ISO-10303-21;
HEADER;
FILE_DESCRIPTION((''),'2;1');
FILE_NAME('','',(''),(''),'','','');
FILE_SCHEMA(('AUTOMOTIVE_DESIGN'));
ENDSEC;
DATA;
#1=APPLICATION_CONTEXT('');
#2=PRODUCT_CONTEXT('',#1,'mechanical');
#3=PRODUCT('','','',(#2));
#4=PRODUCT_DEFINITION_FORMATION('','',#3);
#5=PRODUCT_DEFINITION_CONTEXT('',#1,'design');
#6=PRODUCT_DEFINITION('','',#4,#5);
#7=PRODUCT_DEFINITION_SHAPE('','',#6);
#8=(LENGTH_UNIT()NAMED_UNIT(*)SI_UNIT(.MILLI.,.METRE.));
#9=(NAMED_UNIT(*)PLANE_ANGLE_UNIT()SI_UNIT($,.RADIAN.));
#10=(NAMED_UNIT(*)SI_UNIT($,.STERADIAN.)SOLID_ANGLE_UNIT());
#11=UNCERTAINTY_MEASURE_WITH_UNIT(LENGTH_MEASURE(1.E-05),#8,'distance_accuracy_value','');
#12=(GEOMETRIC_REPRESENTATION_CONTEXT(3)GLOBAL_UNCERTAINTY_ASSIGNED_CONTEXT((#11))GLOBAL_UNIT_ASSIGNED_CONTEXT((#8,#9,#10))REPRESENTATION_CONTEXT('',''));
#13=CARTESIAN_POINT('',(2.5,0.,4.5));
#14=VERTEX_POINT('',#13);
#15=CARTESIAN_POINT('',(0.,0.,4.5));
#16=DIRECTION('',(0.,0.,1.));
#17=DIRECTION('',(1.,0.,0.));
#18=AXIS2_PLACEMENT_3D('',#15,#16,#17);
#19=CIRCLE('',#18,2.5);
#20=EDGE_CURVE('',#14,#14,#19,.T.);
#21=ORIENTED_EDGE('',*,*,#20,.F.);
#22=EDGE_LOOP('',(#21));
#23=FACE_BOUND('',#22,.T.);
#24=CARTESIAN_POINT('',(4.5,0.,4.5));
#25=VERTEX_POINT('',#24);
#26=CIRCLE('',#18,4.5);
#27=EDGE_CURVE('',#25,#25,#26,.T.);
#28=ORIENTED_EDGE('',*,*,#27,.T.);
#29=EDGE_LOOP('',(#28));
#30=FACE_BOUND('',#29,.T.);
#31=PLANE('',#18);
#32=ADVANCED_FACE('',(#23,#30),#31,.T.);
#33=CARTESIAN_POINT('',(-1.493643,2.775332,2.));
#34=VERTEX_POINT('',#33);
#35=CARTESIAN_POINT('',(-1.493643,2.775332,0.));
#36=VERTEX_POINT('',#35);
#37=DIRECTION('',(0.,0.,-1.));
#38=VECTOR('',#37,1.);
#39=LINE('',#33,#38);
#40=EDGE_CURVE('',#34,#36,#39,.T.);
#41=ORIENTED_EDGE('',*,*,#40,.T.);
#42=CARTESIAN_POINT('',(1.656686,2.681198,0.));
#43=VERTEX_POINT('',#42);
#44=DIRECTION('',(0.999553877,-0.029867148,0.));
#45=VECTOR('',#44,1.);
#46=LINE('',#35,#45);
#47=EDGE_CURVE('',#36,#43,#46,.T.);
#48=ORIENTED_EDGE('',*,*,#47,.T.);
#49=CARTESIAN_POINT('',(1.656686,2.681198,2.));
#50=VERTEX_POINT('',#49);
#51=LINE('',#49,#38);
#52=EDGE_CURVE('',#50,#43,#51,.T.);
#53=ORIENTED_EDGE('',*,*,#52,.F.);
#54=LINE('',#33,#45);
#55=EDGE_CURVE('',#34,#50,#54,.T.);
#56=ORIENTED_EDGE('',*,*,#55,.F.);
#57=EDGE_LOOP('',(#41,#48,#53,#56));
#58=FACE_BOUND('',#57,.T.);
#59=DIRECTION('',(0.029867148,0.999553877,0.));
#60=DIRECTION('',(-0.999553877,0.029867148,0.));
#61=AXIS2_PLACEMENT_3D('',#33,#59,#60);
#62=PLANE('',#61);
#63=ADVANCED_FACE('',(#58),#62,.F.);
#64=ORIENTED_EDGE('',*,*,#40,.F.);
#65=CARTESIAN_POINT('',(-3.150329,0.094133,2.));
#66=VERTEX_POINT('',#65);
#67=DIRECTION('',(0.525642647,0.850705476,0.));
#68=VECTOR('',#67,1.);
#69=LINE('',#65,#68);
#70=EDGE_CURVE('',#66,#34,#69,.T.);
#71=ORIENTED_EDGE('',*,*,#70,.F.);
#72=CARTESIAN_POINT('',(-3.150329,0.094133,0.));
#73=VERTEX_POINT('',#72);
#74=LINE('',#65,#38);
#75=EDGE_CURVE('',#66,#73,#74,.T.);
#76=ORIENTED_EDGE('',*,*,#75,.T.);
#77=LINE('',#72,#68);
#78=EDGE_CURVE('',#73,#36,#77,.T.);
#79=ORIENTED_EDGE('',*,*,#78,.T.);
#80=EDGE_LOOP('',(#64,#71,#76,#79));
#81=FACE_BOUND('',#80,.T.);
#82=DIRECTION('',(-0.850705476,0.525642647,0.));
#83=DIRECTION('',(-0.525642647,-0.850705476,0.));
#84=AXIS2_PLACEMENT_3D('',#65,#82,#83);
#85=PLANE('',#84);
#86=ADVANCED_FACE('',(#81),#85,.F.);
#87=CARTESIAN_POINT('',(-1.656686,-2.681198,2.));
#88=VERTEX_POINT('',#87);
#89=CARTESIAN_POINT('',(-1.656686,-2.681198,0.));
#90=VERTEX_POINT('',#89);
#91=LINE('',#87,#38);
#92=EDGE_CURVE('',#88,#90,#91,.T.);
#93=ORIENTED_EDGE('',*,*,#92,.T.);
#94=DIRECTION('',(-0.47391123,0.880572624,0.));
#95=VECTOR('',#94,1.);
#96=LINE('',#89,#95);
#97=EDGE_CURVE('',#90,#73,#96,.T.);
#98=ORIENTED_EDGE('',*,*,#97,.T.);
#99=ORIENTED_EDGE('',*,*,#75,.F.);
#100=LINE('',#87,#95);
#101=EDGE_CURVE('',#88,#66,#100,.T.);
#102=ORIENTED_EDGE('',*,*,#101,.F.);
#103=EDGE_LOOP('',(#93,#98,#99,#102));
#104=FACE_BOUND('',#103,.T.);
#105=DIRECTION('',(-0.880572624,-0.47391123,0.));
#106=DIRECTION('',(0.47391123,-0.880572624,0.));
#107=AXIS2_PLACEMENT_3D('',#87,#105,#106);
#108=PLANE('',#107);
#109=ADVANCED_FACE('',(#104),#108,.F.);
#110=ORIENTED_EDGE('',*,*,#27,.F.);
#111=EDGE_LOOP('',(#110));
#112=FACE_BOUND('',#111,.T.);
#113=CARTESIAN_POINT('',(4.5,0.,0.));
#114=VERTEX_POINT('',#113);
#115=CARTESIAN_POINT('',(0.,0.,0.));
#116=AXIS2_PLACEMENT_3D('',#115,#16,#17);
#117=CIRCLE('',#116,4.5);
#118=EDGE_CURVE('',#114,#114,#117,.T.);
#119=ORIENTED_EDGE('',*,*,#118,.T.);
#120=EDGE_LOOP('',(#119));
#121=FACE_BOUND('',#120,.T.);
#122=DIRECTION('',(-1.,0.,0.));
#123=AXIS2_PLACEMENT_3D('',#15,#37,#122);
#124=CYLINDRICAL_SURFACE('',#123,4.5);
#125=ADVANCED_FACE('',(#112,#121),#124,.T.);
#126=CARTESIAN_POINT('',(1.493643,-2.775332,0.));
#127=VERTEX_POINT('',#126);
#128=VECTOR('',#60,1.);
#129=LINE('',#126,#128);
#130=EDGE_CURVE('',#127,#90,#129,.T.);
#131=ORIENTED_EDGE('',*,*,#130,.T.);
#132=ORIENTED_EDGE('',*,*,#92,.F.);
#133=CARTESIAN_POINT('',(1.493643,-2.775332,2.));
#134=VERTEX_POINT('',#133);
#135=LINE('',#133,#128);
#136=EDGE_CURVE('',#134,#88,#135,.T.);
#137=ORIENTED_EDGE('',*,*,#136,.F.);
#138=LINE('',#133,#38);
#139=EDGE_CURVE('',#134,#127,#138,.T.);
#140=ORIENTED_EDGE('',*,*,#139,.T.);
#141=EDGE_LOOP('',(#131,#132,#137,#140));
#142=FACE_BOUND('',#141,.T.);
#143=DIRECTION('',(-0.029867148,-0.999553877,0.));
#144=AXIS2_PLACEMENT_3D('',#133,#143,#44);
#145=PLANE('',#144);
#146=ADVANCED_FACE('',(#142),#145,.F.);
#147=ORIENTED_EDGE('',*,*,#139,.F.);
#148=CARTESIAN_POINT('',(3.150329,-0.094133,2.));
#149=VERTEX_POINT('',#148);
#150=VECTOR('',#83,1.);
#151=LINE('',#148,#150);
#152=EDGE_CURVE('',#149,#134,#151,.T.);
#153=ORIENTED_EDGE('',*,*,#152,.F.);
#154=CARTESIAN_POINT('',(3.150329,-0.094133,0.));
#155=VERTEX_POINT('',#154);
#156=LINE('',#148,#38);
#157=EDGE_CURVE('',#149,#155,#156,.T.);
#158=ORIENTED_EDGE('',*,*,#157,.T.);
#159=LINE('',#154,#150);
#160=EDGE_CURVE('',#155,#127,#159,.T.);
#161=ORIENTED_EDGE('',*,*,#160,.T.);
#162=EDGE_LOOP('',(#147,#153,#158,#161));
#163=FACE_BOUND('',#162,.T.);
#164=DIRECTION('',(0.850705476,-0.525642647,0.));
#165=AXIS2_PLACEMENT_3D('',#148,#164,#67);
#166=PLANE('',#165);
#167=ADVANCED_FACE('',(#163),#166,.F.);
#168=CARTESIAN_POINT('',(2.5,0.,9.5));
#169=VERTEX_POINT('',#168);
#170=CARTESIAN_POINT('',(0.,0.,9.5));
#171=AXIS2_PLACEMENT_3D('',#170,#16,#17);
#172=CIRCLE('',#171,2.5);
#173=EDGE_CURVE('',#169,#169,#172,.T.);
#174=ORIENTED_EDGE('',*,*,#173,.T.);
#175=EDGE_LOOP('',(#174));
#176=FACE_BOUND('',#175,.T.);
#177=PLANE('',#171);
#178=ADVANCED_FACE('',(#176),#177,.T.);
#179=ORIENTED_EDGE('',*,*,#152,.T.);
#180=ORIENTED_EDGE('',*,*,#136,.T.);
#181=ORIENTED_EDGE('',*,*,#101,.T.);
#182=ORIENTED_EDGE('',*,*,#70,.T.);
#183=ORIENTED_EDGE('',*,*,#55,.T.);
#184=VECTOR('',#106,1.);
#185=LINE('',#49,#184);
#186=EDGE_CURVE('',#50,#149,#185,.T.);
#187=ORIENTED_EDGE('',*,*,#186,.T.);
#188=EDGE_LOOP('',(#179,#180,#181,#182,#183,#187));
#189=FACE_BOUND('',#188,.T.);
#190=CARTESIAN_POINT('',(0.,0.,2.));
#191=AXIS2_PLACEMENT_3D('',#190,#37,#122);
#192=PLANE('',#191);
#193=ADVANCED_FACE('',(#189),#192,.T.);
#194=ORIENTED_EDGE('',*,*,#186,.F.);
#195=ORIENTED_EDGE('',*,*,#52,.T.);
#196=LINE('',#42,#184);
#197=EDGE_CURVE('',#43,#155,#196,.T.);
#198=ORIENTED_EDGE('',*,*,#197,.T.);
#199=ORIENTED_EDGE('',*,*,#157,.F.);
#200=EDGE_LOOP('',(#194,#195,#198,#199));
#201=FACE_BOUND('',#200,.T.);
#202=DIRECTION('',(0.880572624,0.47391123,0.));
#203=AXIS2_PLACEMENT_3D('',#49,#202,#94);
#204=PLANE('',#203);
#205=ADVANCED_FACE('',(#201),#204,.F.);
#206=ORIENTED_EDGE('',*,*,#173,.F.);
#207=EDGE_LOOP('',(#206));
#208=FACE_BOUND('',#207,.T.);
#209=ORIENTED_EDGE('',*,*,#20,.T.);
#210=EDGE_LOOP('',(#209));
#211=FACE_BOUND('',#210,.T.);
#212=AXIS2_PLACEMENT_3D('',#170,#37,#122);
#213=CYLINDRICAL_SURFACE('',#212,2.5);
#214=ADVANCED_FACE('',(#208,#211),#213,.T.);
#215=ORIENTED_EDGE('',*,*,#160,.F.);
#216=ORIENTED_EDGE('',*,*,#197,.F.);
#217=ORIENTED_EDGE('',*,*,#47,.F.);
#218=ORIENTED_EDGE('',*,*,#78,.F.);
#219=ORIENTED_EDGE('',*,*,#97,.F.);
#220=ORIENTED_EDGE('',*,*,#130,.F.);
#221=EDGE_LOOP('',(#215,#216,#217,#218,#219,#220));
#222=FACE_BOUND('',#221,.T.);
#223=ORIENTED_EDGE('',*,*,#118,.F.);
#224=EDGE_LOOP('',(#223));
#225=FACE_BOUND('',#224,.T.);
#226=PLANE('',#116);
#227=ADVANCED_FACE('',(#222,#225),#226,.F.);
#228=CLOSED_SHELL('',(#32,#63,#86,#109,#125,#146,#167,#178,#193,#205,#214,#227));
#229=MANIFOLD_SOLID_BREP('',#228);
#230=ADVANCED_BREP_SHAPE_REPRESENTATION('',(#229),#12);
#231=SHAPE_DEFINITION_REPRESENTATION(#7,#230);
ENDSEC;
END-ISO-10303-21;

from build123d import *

# Parameters (mm, degrees)
SKETCH1_R           = 4.5
BOSS_EXTRUDE3_DEPTH = 4.5
CUT_EXTRUDE2_DEPTH  = 2
SKETCH5_R           = 2.5
BOSS_EXTRUDE4_DEPTH = 5


with BuildPart() as part:
    # Sketch1 → Boss-Extrude3 (new body)
    with BuildSketch(Plane.XY):
        Circle(SKETCH1_R)
    extrude(amount=BOSS_EXTRUDE3_DEPTH)

    # Sketch4 → Cut-Extrude2 (cut)
    with BuildSketch(Plane(origin=(0, 0, 0), x_dir=(-1, 0, 0), z_dir=(0, 0, -1))):
        Polygon((3.150328976, 0.094133336), (1.493642628, 2.775331592), (-1.656686348, 2.681198256), (-3.150328976, -0.094133336), (-1.493642628, -2.775331592), (1.656686348, -2.681198256), align=None)
    extrude(amount=-CUT_EXTRUDE2_DEPTH, mode=Mode.SUBTRACT)

    # Sketch5 → Boss-Extrude4 (add)
    with BuildSketch(Plane.XY.offset(4.5)):
        Circle(SKETCH5_R)
    extrude(amount=BOSS_EXTRUDE4_DEPTH)


solid = part.part
